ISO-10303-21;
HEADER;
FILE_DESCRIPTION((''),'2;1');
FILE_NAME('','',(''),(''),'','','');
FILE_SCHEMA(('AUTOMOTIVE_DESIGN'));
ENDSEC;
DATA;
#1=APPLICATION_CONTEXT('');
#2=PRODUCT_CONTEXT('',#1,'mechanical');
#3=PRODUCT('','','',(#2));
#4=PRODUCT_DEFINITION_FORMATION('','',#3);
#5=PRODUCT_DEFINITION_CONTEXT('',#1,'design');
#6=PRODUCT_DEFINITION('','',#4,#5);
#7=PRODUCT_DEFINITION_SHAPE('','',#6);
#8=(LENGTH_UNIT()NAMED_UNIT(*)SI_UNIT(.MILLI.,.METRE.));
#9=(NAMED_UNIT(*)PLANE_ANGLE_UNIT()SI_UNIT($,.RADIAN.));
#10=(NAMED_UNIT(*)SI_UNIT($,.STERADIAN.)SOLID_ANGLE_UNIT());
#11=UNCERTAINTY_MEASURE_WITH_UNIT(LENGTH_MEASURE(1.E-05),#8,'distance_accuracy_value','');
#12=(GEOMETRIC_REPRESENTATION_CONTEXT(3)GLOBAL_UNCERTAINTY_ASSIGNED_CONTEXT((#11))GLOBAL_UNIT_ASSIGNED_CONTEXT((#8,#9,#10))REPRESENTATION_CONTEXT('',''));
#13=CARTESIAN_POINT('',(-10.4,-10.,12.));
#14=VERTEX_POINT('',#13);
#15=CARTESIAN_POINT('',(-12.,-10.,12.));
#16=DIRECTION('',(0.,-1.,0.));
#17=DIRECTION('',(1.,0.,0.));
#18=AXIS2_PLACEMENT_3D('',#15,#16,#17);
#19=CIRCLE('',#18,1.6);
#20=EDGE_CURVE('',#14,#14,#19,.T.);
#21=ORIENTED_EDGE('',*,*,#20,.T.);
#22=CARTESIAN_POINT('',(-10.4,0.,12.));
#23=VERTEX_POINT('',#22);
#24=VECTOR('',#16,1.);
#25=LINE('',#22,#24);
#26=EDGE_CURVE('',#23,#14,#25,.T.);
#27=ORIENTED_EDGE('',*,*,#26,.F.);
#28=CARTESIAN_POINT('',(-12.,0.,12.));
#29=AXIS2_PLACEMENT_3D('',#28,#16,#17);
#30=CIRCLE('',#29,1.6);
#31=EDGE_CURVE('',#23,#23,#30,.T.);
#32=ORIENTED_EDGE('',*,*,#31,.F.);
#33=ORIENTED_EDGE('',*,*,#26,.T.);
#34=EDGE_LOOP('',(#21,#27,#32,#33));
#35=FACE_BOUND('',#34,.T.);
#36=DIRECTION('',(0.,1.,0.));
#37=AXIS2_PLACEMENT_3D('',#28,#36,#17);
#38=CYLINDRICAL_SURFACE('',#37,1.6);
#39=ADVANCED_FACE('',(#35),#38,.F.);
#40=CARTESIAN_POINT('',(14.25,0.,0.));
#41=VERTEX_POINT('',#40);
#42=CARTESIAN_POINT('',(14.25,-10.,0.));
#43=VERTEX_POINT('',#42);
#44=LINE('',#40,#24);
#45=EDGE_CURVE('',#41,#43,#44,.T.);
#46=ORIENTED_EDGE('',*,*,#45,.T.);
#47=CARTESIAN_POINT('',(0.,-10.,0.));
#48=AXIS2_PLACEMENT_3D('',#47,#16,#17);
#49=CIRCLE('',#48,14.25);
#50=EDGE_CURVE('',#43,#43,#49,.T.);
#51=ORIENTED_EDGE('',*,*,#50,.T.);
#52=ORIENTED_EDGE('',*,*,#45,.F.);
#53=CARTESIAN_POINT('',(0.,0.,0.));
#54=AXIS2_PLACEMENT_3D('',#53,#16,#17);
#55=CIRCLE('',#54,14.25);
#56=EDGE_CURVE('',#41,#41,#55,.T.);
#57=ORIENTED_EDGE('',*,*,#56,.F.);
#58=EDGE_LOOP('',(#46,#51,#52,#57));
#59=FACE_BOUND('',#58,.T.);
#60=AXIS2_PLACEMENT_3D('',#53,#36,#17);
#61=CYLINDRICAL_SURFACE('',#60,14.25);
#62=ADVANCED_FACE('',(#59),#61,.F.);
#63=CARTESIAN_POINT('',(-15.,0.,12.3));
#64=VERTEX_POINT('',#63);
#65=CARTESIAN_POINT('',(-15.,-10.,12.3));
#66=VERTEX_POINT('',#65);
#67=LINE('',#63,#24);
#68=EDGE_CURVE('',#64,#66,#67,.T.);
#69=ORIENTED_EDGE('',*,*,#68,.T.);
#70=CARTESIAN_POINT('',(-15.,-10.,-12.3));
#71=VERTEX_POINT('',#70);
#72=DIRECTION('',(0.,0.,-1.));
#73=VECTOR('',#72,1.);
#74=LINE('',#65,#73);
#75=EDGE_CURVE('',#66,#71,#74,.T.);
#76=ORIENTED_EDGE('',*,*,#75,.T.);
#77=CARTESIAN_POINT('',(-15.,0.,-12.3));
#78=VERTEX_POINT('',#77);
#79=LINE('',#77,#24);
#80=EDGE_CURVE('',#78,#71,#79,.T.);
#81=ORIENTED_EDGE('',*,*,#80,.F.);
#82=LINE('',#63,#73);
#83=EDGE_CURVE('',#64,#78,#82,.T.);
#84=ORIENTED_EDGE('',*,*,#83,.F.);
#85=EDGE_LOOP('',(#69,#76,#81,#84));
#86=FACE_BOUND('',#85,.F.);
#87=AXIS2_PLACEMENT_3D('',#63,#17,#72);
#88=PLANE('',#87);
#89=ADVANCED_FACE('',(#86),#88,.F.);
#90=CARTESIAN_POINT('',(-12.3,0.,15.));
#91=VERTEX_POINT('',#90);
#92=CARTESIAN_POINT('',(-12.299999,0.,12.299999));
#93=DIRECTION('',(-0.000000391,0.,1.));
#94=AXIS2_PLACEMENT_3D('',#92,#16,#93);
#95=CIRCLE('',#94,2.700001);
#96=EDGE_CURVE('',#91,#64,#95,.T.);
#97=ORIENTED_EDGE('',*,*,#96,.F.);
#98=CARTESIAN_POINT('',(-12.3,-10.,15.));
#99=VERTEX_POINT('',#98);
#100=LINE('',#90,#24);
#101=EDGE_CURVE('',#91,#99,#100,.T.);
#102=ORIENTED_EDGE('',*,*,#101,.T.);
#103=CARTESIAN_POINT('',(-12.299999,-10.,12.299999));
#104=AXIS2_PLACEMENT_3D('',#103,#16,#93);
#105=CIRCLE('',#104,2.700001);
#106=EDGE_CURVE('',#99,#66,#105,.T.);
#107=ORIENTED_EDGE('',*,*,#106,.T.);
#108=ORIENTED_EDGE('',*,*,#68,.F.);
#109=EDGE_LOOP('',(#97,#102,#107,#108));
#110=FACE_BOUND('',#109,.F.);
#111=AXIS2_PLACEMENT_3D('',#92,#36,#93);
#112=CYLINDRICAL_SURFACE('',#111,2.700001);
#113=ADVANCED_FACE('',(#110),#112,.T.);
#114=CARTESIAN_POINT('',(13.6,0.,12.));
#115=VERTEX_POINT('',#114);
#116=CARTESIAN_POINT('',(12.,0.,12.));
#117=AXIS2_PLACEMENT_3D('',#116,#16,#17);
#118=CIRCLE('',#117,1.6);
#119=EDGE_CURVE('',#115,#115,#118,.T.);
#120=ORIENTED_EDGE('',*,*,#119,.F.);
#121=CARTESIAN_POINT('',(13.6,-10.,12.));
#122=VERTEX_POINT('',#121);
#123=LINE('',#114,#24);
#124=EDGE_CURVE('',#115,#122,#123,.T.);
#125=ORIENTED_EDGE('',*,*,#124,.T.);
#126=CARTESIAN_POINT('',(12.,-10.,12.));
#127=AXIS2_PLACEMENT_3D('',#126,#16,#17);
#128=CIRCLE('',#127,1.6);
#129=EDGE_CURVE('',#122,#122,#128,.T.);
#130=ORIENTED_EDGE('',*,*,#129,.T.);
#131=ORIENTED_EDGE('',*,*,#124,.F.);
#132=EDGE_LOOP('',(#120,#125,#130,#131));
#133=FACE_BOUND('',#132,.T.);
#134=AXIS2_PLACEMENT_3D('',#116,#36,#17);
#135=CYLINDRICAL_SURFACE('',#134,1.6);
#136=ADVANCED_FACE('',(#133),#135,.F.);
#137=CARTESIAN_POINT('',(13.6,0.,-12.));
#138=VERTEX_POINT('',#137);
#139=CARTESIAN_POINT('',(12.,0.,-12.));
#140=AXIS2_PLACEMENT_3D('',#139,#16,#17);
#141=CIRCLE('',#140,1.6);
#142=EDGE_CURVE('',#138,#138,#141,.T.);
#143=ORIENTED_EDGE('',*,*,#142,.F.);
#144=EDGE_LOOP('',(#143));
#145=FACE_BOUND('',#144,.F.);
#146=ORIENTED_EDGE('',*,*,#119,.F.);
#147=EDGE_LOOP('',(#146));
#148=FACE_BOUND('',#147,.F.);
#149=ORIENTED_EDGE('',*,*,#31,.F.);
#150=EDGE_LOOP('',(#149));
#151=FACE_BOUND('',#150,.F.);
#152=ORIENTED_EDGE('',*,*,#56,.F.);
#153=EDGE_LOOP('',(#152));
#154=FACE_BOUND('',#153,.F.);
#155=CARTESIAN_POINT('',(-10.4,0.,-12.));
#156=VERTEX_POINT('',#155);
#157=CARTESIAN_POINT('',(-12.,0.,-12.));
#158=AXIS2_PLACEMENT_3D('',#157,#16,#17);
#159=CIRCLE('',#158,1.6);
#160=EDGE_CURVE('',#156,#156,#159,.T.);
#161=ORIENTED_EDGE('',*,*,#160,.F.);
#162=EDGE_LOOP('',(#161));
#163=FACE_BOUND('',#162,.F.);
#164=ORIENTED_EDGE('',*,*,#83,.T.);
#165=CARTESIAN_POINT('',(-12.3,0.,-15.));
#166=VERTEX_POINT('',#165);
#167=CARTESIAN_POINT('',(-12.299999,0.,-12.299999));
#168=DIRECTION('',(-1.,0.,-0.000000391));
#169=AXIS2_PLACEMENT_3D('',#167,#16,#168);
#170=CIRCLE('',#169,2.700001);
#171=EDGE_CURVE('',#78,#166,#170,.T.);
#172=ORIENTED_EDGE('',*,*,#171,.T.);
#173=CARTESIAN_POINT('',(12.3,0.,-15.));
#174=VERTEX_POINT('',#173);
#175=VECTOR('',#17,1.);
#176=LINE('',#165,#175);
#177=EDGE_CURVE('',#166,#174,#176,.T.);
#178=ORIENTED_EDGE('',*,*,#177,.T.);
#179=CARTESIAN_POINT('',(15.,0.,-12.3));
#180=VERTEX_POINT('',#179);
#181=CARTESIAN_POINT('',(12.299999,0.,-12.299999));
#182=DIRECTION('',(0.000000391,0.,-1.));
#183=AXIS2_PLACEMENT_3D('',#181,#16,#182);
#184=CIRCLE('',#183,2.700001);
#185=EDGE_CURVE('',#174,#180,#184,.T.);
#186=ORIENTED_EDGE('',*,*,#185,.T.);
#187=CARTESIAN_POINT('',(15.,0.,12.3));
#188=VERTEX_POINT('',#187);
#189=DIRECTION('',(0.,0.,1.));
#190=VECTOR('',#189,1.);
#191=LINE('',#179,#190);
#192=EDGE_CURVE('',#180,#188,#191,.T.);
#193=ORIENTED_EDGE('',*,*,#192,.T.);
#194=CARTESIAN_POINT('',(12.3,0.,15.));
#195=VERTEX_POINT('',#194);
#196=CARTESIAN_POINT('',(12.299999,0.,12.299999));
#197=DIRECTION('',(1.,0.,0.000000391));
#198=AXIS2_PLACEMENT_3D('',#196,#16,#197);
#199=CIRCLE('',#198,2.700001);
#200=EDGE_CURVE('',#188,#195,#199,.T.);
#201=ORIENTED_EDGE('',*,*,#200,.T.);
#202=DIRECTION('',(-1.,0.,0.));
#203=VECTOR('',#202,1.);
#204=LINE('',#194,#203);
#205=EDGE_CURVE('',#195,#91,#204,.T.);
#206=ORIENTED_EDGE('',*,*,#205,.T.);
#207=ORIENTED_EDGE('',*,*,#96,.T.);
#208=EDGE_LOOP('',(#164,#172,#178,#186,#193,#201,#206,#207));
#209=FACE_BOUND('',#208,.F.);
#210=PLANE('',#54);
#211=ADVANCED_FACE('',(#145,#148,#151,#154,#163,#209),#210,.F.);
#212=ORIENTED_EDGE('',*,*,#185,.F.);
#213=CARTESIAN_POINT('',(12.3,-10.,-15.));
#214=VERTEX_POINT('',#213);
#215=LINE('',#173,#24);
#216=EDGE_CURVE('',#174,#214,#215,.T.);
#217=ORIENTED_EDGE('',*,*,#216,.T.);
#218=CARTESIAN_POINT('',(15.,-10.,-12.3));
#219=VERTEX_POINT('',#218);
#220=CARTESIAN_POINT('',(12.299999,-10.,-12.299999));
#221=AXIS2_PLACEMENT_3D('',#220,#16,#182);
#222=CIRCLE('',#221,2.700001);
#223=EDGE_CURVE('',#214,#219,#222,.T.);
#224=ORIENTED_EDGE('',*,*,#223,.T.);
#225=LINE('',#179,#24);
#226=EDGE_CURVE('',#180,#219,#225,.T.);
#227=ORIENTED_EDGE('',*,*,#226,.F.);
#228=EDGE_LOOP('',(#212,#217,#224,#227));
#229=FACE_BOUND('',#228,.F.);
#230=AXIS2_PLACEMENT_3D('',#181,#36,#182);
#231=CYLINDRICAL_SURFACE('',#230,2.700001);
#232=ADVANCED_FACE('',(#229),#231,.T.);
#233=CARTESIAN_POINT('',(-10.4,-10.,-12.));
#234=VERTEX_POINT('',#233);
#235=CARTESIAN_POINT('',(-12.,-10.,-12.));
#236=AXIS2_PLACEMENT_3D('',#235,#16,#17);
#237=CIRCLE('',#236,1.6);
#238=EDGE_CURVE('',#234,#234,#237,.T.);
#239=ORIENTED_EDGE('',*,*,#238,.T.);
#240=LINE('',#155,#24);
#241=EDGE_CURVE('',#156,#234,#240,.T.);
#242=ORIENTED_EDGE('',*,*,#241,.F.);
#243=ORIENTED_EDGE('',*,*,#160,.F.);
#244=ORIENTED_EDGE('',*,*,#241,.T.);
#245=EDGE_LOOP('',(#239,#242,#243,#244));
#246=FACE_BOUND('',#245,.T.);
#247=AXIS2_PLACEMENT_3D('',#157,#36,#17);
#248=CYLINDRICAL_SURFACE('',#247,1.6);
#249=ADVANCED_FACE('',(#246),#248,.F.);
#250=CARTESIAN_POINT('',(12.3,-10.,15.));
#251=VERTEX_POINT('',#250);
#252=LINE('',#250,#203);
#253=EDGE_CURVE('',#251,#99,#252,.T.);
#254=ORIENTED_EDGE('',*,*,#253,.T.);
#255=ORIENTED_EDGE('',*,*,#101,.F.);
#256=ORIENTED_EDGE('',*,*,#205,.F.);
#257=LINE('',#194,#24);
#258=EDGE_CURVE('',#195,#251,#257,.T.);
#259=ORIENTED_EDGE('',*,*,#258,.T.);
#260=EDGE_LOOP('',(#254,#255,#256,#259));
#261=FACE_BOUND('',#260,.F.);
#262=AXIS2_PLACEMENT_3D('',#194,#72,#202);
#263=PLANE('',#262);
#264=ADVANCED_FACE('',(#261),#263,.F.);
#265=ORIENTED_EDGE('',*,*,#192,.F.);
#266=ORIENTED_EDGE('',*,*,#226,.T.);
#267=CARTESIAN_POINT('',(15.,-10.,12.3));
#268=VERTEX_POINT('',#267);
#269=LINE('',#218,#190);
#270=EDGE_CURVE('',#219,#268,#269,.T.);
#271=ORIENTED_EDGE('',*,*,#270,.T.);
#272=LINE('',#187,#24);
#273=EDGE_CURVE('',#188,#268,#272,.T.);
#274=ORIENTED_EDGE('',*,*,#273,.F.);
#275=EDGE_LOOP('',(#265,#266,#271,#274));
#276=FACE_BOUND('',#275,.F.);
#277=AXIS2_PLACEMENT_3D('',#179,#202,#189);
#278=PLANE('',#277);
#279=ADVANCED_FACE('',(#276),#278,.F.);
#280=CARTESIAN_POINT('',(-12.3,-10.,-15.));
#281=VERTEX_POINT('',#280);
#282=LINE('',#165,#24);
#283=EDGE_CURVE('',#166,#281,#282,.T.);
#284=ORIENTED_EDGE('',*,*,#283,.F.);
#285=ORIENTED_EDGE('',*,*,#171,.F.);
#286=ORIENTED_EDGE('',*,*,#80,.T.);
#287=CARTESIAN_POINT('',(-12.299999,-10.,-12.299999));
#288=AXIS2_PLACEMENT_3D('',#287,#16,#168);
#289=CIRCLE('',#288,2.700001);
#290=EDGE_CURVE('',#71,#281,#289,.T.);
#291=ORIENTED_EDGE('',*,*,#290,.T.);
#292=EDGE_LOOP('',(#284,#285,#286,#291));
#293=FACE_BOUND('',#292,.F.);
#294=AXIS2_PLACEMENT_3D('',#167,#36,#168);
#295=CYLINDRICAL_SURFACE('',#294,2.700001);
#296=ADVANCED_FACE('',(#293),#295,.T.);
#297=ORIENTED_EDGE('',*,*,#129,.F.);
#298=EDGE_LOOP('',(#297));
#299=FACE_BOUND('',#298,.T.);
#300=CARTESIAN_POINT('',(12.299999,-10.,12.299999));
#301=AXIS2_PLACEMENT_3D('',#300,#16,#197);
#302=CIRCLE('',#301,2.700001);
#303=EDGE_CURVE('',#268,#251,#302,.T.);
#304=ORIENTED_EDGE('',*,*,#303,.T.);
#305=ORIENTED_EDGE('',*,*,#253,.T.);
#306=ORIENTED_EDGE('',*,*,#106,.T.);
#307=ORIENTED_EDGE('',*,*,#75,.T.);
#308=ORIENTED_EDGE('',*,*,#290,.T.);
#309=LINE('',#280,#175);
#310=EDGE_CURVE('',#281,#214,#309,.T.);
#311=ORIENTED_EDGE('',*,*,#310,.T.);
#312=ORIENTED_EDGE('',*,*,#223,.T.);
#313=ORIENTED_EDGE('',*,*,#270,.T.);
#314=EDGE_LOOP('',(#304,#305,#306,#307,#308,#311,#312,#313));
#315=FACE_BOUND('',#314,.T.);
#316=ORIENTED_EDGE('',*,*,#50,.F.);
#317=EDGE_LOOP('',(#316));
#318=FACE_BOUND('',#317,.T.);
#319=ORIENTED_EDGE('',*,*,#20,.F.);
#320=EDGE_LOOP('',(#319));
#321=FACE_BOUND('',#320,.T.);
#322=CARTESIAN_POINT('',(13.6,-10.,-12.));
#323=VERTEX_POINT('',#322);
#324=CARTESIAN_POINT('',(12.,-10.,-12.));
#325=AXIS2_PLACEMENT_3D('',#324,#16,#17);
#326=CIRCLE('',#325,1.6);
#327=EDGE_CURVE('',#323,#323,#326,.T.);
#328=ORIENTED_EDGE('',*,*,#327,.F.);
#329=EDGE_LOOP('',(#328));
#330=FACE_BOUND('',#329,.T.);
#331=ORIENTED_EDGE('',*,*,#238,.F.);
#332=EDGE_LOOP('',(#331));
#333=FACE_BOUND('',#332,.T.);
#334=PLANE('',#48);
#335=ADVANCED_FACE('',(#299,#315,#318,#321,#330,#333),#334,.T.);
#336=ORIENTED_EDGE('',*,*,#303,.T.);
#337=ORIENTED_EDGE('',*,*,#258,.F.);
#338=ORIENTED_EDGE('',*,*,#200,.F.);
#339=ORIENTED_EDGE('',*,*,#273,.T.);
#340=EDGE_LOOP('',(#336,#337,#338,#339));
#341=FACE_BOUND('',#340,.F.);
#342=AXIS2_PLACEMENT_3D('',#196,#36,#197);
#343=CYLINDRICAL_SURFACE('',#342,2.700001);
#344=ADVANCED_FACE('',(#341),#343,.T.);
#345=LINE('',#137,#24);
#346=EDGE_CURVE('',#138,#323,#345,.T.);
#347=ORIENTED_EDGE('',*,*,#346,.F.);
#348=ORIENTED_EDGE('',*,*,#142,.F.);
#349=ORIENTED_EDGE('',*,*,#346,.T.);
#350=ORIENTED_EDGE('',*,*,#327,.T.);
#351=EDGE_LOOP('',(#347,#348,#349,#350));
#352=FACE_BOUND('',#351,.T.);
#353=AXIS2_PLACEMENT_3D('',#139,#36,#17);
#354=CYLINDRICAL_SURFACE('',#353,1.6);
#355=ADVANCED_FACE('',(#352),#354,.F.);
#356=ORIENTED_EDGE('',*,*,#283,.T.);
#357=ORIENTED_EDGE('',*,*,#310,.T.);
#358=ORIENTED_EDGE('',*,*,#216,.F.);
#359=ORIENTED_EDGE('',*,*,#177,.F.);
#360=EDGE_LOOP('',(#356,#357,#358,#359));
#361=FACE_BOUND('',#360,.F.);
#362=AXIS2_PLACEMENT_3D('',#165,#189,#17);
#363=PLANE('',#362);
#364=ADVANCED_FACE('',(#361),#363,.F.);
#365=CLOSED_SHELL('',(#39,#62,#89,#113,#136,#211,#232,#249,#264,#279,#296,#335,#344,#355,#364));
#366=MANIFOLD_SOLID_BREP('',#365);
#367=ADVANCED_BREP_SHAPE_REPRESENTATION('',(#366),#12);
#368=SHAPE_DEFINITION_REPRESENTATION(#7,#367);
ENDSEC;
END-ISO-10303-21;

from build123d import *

# Parameters (mm, degrees)
F0_R     = 1.6
F0_R_2   = 14.25
F1_DEPTH = 10


with BuildPart() as f1:
    # F0 (on Front) → F1 (new body)
    with BuildSketch(Plane.XZ):
        with BuildLine():
            Line((12.3, 15), (0, 15))
            Line((0, 15), (-12.3, 15))
            ThreePointArc((-12.3, 15), (-14.209188, 14.209188), (-15, 12.3))
            Line((-15, 12.3), (-15, 0))
            Line((-15, 0), (-15, -12.3))
            ThreePointArc((-15, -12.3), (-14.209188, -14.209188), (-12.3, -15))
            Line((-12.3, -15), (0, -15))
            Line((0, -15), (12.3, -15))
            ThreePointArc((12.3, -15), (14.209188, -14.209188), (15, -12.3))
            Line((15, -12.3), (15, 0))
            Line((15, 0), (15, 12.3))
            ThreePointArc((15, 12.3), (14.209188, 14.209188), (12.3, 15))
        make_face()
        with Locations((-12, -12)):
            Circle(F0_R, mode=Mode.SUBTRACT)
        with Locations((12, -12)):
            Circle(F0_R, mode=Mode.SUBTRACT)
        with Locations((-12, 12)):
            Circle(F0_R, mode=Mode.SUBTRACT)
        Circle(F0_R_2, mode=Mode.SUBTRACT)
        with Locations((12, 12)):
            Circle(F0_R, mode=Mode.SUBTRACT)
    extrude(amount=F1_DEPTH)


solid = f1.part
